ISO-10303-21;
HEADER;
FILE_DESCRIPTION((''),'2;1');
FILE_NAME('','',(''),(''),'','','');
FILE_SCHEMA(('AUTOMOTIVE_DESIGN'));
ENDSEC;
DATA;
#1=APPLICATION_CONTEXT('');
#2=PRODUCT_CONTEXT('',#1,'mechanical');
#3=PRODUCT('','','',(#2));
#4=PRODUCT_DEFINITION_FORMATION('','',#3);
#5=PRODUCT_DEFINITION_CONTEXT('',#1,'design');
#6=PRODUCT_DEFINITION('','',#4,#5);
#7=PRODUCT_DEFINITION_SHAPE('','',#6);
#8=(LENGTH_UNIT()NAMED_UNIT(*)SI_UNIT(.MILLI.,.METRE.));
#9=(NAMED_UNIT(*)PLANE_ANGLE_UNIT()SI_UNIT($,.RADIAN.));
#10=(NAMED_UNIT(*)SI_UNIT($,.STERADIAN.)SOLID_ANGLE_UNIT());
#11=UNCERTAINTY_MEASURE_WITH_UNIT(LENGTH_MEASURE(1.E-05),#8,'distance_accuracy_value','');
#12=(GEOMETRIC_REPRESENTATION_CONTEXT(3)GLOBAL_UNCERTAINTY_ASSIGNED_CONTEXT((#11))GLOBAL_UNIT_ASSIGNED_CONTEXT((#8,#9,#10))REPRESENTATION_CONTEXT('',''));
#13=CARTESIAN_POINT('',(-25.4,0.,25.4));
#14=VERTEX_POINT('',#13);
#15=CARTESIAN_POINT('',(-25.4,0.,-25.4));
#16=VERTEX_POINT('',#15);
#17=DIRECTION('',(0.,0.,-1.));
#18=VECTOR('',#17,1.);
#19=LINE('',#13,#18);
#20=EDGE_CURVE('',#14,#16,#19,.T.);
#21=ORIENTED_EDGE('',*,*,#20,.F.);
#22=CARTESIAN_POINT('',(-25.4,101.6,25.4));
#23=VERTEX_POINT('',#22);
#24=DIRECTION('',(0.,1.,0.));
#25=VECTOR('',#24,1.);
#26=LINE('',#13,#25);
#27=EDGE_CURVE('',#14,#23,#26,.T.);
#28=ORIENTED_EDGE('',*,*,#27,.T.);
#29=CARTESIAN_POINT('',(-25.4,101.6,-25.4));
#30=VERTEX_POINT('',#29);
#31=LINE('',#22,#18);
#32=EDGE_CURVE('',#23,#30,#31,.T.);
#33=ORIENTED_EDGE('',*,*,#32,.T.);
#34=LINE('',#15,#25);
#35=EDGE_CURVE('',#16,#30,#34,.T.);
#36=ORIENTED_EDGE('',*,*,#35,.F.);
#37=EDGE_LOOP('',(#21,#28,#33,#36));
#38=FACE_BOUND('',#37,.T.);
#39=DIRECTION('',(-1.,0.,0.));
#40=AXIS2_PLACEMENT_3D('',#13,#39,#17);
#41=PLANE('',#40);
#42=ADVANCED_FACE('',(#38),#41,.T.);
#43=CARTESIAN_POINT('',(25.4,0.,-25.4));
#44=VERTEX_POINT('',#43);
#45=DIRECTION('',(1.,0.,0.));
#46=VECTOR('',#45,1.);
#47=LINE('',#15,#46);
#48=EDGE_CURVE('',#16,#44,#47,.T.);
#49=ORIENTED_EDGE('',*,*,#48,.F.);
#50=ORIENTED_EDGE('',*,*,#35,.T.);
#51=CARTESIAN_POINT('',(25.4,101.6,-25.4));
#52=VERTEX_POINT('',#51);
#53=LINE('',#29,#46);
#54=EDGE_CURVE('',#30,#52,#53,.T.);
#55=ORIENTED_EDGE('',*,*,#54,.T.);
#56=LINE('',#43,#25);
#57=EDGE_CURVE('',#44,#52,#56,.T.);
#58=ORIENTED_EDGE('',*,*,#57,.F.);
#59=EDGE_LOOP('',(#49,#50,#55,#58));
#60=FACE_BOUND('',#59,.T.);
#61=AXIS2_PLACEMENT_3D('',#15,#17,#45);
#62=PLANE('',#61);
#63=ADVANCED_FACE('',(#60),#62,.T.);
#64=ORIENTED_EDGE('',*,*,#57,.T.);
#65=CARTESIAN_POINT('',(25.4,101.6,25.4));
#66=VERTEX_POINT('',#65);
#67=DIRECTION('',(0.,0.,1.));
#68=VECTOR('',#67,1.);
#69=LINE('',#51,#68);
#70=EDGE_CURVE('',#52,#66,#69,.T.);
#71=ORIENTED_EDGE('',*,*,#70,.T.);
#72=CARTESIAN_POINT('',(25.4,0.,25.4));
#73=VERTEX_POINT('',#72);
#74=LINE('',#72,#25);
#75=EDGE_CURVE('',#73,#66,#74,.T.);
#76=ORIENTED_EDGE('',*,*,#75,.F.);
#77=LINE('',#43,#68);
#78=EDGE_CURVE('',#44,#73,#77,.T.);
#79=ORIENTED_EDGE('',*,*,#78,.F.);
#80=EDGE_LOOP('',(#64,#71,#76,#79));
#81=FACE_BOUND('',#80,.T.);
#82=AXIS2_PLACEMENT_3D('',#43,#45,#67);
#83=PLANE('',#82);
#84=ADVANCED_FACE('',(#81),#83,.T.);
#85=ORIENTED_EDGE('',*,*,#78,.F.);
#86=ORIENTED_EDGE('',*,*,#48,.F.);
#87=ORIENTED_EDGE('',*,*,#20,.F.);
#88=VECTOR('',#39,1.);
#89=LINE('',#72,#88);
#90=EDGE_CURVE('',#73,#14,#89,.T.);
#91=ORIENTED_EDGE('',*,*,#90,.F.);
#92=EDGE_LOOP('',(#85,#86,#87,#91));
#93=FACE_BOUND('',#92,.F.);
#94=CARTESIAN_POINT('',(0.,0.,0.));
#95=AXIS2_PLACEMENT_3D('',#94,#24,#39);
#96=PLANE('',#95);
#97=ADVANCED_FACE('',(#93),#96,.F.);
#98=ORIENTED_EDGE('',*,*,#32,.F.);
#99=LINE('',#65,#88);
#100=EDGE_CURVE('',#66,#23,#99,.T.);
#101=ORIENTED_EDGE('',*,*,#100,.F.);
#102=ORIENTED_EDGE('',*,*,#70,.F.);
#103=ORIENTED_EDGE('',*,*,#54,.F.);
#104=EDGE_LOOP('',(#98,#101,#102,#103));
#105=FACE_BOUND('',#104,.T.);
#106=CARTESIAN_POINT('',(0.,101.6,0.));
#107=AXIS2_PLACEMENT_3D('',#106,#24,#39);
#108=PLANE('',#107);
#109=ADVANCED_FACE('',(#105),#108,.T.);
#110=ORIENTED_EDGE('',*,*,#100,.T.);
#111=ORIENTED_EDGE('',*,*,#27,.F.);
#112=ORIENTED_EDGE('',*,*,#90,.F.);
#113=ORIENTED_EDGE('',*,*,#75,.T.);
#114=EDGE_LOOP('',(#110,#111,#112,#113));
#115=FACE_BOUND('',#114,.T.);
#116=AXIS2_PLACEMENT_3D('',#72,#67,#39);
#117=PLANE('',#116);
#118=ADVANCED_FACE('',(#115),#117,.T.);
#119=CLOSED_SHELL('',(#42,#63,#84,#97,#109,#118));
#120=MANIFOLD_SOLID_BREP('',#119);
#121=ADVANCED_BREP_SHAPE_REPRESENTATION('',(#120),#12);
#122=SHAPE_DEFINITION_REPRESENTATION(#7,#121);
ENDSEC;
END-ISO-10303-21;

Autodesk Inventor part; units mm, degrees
ref_plane "YZ Plane" through (0, 0, 0) normal (1, 0, 0) x (0, 1, 0)
ref_plane "XZ Plane" through (0, 0, 0) normal (0, 1, 0) x (-1, 0, 0)
ref_plane "XY Plane" through (0, 0, 0) normal (0, 0, 1) x (1, 0, 0)
sketch "Sketch1" plane through (0, 0, 0) normal (0, 1, 0) x (-1, 0, 0)
  line L0 (-25.4, 25.4) -> (25.4, 25.4)
  line L1 (25.4, 25.4) -> (25.4, -25.4)
  line L2 (25.4, -25.4) -> (-25.4, -25.4)
  line L3 (-25.4, -25.4) -> (-25.4, 25.4)
  line L4 (-25.4, 25.4) -> (25.4, -25.4) construction
  line L5 (25.4, 25.4) -> (-25.4, -25.4) construction
  point P0 (0, 0)
  dimension "d0" = 50.8
  dimension "d1" = 50.8
extrude "Extrusion1" add sketch "Sketch1" along normal blind 101.6
properties part number "BX11111"
